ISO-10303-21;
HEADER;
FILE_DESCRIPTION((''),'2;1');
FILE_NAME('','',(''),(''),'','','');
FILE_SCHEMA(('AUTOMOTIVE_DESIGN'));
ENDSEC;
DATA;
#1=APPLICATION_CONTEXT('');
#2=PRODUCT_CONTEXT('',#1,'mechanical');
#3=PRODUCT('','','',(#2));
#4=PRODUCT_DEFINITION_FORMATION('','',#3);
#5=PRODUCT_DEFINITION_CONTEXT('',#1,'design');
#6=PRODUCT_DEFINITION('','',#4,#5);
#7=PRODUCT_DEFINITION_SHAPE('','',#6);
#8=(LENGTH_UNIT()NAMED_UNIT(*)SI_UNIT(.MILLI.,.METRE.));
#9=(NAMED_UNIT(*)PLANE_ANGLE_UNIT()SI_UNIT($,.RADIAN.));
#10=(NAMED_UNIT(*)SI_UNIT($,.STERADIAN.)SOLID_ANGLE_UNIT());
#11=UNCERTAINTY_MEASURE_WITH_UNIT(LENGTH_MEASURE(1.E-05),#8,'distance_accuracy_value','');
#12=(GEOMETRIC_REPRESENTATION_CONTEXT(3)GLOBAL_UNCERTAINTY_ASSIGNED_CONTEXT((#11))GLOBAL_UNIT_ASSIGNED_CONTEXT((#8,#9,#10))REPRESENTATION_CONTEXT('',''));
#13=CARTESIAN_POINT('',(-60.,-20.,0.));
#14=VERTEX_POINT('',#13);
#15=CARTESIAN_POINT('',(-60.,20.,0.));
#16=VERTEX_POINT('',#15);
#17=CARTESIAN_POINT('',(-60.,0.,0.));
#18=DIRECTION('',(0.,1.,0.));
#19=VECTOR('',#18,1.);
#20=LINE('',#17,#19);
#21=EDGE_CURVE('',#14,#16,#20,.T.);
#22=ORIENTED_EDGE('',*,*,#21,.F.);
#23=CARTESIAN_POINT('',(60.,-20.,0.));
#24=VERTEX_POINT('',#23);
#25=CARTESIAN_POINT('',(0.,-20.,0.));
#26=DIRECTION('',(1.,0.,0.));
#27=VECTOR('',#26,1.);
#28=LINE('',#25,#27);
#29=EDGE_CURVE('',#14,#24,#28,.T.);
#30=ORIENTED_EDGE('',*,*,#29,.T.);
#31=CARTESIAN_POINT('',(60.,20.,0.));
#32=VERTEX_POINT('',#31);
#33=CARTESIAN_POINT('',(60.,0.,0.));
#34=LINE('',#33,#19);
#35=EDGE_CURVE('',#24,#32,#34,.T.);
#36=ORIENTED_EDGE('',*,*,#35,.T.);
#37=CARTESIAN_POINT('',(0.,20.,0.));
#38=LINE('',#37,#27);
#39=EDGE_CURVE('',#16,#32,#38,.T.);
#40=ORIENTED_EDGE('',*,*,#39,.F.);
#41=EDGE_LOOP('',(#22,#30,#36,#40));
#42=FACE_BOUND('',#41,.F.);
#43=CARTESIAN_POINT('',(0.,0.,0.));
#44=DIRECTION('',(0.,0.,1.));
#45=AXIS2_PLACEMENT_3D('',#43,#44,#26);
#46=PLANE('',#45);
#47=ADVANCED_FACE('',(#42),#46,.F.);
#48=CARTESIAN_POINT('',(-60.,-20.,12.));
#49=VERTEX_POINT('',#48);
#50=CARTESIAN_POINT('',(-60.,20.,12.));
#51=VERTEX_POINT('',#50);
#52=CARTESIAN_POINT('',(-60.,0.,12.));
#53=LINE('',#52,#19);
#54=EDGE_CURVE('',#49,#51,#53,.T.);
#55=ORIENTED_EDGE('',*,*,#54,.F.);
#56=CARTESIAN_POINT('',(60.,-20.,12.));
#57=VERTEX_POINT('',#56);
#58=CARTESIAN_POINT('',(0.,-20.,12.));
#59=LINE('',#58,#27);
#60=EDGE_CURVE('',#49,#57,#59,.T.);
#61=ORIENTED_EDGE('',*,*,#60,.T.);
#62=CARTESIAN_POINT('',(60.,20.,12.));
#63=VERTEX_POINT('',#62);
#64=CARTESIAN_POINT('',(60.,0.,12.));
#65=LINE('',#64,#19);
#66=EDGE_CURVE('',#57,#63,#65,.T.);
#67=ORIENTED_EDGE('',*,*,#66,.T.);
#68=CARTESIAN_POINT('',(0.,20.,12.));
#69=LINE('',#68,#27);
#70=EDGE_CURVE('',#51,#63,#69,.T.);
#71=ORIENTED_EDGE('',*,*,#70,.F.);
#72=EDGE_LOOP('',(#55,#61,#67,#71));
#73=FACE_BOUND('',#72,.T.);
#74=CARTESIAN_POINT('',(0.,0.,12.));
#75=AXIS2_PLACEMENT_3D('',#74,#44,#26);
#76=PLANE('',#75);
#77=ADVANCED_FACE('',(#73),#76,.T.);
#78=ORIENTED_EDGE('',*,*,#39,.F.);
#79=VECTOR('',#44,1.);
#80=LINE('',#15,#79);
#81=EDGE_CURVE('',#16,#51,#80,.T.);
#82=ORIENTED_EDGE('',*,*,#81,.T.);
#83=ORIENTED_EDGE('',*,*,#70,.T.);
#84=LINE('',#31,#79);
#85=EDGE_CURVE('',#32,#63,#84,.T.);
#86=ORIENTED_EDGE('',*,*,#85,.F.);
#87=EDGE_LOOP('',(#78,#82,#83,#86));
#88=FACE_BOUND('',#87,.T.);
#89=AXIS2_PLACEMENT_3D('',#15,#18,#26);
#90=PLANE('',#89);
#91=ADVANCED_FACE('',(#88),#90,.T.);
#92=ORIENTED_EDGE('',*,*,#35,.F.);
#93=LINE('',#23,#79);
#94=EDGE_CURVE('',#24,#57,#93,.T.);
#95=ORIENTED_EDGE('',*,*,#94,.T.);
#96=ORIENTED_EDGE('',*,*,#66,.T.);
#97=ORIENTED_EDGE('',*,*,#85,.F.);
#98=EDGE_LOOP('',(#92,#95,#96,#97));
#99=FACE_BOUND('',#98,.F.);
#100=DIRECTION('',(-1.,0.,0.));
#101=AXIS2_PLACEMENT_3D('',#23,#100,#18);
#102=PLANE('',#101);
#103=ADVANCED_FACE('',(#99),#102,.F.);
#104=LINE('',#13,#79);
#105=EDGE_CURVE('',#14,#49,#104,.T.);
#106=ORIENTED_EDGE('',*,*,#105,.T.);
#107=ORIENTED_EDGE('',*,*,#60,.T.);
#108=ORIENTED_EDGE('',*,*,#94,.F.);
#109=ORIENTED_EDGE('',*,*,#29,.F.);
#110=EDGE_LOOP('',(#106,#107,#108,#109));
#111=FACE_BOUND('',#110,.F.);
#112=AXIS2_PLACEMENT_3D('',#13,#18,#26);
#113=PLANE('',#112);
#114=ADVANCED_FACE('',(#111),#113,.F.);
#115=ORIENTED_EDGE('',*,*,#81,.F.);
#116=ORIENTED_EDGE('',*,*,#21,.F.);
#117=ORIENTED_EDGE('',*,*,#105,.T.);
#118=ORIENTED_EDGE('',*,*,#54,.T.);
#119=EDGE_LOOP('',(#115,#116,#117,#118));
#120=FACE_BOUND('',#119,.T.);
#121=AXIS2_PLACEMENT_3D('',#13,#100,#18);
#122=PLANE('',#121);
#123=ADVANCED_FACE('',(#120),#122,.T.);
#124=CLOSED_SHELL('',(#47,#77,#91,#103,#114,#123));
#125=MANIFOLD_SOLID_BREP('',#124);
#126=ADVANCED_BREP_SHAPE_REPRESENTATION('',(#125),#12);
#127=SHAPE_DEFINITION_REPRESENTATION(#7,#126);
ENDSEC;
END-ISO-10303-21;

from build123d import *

# Parameters (mm, degrees)
SKETCH_W  = 120
SKETCH_H  = 40
PAD_DEPTH = 12


with BuildPart() as part:
    # Sketch → Pad (new body)
    with BuildSketch(Plane.XY):
        Rectangle(SKETCH_W, SKETCH_H)
    extrude(amount=PAD_DEPTH)


solid = part.part
